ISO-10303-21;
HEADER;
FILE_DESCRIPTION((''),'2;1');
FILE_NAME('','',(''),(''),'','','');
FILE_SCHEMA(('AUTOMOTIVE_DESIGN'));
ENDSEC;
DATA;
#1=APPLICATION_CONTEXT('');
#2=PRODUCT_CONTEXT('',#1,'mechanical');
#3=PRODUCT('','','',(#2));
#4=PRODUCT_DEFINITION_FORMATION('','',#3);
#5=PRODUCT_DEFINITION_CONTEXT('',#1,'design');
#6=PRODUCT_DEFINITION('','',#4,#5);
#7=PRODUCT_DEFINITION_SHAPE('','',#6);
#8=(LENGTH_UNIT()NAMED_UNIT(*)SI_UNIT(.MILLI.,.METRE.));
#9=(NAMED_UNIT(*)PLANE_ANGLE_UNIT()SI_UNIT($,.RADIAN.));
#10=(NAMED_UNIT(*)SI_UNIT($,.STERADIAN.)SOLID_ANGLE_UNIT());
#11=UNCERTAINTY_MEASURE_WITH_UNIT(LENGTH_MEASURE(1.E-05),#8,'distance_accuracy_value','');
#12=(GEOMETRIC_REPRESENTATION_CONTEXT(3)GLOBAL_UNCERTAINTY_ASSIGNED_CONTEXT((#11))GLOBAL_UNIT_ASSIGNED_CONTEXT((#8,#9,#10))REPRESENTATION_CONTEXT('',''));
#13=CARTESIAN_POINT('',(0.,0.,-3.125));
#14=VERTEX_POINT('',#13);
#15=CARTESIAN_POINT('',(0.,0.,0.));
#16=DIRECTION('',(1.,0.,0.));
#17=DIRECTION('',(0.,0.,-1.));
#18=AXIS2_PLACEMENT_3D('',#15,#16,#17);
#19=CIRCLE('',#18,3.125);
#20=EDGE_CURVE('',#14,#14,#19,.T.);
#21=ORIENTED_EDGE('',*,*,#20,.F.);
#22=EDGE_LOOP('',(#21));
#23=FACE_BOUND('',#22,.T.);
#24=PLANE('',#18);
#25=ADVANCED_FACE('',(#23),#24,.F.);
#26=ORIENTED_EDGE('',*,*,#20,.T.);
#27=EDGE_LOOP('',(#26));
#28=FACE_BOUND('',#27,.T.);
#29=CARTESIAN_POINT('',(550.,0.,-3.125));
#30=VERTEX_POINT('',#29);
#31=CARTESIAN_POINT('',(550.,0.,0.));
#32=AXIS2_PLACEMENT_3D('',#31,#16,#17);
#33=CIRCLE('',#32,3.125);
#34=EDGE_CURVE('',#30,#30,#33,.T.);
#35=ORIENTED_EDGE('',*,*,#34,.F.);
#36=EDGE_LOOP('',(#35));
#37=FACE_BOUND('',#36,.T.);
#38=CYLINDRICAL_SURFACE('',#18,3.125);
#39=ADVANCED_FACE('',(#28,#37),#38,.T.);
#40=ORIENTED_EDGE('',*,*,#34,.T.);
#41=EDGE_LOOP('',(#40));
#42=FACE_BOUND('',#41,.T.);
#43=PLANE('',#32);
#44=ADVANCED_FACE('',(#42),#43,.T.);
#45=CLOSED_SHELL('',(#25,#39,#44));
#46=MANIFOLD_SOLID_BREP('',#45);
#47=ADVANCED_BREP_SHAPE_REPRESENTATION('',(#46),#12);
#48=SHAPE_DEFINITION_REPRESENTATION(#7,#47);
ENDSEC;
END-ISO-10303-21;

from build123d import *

# Parameters (mm, degrees)
BARRER1_PROFILE_R = 3.125


with BuildPart() as part:
    # Barrer1: sweep along a path in Croquis1
    with BuildLine(Plane.XY) as barrer1_path:
        Line((0, 0), (550, 0))
    # Barrer1 profile (on start of the path) → Barrer1 (sweep)
    with BuildSketch(Plane(origin=(0, 0, 0), x_dir=(0, 0, 1), z_dir=(1, 0, 0))):
        Circle(BARRER1_PROFILE_R)
    sweep(path=barrer1_path.line)


solid = part.part
